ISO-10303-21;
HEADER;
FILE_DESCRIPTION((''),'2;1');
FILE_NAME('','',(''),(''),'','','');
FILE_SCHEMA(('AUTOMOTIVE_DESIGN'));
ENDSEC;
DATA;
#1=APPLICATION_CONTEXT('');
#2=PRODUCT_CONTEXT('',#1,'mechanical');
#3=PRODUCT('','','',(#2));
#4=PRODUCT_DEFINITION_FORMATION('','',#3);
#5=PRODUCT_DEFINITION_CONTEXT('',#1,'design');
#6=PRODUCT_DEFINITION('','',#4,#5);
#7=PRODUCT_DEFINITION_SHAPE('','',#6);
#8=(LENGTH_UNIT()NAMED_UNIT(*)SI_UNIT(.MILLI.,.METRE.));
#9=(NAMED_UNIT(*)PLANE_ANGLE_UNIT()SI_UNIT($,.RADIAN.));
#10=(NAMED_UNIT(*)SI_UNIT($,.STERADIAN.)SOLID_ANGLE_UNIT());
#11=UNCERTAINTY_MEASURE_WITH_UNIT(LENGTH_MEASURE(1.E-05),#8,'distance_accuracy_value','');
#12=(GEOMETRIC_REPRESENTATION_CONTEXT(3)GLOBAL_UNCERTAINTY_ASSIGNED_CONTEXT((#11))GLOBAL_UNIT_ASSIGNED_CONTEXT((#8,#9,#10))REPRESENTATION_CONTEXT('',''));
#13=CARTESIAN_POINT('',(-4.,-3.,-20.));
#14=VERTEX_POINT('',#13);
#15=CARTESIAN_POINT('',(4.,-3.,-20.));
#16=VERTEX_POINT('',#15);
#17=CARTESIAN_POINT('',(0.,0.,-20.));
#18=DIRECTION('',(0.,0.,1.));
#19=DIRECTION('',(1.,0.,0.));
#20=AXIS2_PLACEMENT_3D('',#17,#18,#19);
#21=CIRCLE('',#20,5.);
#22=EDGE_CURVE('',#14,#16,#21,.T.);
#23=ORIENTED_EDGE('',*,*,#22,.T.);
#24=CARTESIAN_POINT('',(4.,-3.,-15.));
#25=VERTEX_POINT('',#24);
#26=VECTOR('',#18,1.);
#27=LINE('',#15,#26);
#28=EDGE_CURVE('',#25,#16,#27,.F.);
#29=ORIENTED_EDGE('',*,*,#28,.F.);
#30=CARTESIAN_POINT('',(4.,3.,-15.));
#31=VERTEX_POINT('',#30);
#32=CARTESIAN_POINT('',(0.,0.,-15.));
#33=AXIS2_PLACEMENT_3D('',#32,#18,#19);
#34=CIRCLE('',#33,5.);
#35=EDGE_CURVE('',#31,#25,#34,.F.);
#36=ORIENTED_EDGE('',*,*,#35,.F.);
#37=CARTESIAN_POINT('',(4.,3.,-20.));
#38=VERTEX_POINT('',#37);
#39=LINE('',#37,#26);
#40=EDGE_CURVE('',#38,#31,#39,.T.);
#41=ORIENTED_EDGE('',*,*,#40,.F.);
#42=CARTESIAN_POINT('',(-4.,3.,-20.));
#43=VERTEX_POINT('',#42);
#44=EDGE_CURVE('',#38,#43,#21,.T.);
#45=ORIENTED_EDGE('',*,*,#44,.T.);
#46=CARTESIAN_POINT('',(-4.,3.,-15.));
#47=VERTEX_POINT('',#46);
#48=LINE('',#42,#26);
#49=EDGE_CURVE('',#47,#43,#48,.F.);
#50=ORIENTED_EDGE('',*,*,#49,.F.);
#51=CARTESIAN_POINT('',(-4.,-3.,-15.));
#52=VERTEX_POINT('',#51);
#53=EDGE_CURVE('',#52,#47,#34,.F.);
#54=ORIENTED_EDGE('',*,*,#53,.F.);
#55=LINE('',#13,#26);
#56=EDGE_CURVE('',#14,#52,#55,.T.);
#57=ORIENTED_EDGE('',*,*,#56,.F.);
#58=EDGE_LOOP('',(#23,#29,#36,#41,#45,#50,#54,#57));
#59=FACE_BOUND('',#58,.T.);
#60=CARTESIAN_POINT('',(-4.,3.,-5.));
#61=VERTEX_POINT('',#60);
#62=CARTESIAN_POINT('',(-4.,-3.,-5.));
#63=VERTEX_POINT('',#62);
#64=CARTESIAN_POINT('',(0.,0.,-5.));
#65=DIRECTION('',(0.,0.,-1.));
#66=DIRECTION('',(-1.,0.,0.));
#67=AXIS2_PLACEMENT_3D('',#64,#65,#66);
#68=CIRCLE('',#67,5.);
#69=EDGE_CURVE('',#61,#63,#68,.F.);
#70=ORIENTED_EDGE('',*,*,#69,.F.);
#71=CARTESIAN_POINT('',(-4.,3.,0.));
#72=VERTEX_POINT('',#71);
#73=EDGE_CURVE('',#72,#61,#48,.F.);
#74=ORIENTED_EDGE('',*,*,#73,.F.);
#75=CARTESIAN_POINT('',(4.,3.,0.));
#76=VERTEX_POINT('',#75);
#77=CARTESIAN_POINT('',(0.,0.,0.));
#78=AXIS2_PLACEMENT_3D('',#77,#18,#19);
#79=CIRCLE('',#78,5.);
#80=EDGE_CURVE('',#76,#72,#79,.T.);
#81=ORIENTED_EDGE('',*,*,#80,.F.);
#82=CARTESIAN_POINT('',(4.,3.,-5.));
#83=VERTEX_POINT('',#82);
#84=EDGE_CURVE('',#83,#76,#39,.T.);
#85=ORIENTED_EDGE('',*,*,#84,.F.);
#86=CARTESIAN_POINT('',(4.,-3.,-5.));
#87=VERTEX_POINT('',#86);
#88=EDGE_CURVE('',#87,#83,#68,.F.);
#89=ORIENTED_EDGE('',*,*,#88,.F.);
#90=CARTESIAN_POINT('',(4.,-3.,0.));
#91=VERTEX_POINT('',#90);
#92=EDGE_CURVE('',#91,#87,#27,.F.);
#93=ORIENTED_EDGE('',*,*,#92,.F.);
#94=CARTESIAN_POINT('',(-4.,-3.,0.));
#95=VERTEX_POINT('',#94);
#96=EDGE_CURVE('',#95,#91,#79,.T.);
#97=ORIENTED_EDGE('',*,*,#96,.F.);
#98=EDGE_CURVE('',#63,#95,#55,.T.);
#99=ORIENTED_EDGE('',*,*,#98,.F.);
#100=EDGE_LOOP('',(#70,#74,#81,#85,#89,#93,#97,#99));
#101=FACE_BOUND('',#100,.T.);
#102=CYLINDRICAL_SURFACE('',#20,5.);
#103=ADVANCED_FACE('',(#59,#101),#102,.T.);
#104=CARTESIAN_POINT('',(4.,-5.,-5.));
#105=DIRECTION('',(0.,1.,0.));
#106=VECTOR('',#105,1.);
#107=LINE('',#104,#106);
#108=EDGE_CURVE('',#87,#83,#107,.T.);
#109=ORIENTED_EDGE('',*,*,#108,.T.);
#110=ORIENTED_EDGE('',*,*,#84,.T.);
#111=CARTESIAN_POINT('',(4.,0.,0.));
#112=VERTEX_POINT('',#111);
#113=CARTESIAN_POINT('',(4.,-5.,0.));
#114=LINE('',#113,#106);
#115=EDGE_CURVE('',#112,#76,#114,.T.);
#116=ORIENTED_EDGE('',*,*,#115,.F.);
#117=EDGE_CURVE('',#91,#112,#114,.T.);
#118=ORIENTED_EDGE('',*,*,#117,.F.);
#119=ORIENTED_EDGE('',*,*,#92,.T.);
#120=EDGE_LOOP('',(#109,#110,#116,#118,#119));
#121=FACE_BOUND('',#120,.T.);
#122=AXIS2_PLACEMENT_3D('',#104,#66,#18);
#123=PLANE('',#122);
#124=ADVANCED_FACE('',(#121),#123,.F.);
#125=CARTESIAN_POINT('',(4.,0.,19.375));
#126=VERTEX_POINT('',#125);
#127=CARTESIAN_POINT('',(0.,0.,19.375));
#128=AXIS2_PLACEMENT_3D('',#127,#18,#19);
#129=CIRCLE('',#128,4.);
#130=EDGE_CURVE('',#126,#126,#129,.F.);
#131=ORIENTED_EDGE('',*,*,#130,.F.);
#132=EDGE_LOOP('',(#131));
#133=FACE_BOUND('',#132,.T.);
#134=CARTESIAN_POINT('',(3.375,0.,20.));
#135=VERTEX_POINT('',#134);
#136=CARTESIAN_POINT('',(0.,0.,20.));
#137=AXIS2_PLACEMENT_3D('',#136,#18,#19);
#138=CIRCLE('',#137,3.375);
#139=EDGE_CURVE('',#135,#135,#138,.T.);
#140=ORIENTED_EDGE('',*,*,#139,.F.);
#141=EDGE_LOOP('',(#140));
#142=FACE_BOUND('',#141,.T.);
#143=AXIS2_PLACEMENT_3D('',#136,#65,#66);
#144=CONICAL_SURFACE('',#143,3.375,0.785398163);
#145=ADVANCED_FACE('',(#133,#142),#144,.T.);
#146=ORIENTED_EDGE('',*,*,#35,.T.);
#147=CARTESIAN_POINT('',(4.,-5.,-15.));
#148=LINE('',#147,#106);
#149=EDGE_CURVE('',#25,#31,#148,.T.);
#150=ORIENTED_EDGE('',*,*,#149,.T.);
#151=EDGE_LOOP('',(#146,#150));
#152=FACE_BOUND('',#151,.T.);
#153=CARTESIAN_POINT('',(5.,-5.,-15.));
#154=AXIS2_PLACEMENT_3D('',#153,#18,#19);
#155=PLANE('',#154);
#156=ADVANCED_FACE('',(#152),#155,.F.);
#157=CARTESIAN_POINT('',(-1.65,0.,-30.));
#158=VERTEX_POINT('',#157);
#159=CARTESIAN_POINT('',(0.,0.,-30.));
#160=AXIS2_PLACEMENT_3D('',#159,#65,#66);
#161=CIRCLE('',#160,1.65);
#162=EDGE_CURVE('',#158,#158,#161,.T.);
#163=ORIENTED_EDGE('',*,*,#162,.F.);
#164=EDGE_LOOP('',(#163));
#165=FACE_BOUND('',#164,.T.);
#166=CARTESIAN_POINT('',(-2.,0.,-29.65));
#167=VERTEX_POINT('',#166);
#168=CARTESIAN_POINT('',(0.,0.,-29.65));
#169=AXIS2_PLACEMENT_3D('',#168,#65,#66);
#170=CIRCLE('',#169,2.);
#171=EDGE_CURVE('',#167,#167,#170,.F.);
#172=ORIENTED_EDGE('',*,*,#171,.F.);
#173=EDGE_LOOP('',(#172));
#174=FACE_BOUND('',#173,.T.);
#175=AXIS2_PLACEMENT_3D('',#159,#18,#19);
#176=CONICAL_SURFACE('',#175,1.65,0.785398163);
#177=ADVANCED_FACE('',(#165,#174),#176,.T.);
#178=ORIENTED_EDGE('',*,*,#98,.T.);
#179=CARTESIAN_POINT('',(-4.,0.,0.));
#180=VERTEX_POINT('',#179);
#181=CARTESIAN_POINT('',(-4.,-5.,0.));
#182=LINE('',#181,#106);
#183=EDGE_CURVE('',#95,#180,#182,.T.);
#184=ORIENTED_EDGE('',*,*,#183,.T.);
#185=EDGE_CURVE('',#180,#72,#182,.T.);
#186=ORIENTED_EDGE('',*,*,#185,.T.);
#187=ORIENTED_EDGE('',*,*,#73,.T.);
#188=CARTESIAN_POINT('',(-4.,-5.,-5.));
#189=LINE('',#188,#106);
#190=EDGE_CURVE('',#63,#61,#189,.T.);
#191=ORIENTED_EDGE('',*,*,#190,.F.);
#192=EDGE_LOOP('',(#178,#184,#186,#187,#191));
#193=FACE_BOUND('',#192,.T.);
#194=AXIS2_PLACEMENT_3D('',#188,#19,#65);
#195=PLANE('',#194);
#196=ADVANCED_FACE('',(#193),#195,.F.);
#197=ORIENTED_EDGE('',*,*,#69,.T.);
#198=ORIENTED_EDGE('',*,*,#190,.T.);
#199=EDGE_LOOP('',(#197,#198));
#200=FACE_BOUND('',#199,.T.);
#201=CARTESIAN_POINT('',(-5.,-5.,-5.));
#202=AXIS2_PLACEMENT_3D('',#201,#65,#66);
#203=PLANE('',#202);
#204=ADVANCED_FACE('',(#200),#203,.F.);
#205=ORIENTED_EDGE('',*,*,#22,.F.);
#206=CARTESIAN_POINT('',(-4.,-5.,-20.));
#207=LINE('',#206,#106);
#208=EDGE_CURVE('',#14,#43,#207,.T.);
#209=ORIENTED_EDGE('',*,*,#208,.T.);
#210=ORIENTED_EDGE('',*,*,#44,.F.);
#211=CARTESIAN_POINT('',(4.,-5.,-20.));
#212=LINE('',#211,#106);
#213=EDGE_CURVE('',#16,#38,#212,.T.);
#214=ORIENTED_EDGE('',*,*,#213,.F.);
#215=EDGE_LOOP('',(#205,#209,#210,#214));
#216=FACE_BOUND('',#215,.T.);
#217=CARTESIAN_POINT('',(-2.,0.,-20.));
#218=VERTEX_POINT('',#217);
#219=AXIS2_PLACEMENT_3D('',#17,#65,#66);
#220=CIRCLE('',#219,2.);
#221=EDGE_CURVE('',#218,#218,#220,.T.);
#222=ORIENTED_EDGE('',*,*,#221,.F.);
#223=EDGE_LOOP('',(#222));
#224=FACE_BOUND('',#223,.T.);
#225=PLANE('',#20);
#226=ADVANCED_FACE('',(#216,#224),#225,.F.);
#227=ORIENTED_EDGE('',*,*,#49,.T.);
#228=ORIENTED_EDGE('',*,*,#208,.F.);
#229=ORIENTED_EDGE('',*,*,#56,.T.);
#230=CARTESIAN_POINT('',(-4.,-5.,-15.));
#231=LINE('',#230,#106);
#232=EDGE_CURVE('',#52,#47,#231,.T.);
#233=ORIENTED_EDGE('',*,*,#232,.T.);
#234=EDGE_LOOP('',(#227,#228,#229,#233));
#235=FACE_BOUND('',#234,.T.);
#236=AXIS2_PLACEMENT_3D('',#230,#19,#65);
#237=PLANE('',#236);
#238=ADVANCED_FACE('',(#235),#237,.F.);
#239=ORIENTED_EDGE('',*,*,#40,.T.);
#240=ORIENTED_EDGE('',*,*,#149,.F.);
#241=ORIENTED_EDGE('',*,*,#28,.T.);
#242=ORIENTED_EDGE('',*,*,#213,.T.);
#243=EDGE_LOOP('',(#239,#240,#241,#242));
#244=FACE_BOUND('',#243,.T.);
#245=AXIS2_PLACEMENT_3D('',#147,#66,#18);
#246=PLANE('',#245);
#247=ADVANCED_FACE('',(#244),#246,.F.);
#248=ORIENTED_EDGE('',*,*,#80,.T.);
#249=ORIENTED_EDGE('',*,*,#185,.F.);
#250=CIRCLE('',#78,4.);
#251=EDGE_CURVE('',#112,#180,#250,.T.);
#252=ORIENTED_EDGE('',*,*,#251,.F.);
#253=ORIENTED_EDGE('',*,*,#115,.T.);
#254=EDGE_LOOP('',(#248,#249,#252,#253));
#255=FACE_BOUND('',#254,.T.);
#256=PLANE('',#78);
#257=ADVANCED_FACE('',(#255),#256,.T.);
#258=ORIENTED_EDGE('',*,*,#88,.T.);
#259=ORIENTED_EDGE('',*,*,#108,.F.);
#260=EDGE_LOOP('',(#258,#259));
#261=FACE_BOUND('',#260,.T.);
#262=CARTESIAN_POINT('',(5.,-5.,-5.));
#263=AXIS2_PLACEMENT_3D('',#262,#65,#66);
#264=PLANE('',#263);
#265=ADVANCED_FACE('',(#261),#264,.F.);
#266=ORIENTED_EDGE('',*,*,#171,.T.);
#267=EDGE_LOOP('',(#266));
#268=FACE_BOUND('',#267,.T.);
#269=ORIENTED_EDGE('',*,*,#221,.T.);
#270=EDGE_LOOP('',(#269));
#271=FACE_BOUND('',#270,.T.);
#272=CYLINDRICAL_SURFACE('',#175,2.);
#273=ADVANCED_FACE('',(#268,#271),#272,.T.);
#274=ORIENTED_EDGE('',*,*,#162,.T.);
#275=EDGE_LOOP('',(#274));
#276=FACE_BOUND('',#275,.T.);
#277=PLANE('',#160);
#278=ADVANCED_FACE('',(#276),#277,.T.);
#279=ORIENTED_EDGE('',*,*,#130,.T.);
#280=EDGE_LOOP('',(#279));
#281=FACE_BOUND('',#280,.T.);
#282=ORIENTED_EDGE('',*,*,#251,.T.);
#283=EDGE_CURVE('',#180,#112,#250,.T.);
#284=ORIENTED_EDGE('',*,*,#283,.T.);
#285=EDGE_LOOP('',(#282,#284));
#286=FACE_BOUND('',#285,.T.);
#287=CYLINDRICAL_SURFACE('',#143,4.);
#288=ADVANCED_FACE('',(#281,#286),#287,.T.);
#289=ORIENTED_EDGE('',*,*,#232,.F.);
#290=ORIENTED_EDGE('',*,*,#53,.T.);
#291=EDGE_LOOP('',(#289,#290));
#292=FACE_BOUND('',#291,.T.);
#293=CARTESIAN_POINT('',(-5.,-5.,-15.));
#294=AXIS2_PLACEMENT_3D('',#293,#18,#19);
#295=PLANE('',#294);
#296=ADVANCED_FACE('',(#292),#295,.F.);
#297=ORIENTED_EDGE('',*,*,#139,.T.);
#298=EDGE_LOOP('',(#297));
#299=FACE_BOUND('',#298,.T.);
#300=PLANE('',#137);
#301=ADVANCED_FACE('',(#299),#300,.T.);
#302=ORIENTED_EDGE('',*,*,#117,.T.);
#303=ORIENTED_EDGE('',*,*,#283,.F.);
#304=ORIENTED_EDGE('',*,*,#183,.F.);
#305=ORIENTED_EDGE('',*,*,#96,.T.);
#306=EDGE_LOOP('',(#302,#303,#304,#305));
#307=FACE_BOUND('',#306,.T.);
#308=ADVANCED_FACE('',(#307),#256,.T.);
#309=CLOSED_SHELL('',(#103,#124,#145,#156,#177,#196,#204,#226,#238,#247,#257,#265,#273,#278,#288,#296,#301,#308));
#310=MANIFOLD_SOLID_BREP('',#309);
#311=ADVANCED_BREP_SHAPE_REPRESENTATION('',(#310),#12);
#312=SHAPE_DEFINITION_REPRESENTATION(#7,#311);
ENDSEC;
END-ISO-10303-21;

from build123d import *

# Parameters (mm, degrees)
ESBO_O2_R                  = 5
RESSALTO_EXTRUS_O1_DEPTH   = 20
ESBO_O3_R                  = 4
RESSALTO_EXTRUS_O2_DEPTH   = 20
ESBO_O4_R                  = 2
RESSALTO_EXTRUS_O3_DEPTH   = 10
CHANFRO1_SIZE              = 0.625
CHANFRO2_SIZE              = 0.35
CORTE_EXTRUS_O2_DEPTH      = 31.822070015
CORTE_EXTRUS_O2_DEPTH_BACK = 31.822070015
ESBO_O6_W                  = 1
ESBO_O6_H                  = 5


with BuildPart() as part:
    # Esboço2 → Ressalto-extrusão1 (new body)
    with BuildSketch(Plane.XY):
        Circle(ESBO_O2_R)
    extrude(amount=-RESSALTO_EXTRUS_O1_DEPTH)

    # Esboço3 → Ressalto-extrusão2 (add)
    with BuildSketch(Plane.XY):
        Circle(ESBO_O3_R)
    extrude(amount=RESSALTO_EXTRUS_O2_DEPTH)

    # Esboço4 → Ressalto-extrusão3 (add)
    with BuildSketch(Plane(origin=(0, 0, -20), x_dir=(-1, 0, 0), z_dir=(0, 0, -1))):
        Circle(ESBO_O4_R)
    extrude(amount=RESSALTO_EXTRUS_O3_DEPTH)

    # Chanfro1
    chanfro1_edges = [part.edges().sort_by_distance(p)[0] for p in [
        (-4, 0, 20),
    ]]
    chamfer(chanfro1_edges, length=CHANFRO1_SIZE)

    # Chanfro2
    chanfro2_edges = [part.edges().sort_by_distance(p)[0] for p in [
        (2, 0, -30),
    ]]
    chamfer(chanfro2_edges, length=CHANFRO2_SIZE)

    # Esboço6 → Corte-extrusão2 (cut, two sides: drawn at the far end of the back side and taken through both)
    with BuildSketch(Plane(origin=(0, 0, 0), x_dir=(1, 0, 0), z_dir=(0, 1, 0)).offset(-CORTE_EXTRUS_O2_DEPTH_BACK)):
        with Locations((-4.5, 17.5)):
            Rectangle(ESBO_O6_W, ESBO_O6_H)
        with Locations((-4.5, 2.5)):
            Rectangle(ESBO_O6_W, ESBO_O6_H)
        with Locations((4.5, 17.5)):
            Rectangle(ESBO_O6_W, ESBO_O6_H)
        with Locations((4.5, 2.5)):
            Rectangle(ESBO_O6_W, ESBO_O6_H)
    extrude(amount=CORTE_EXTRUS_O2_DEPTH + CORTE_EXTRUS_O2_DEPTH_BACK, mode=Mode.SUBTRACT)


solid = part.part
